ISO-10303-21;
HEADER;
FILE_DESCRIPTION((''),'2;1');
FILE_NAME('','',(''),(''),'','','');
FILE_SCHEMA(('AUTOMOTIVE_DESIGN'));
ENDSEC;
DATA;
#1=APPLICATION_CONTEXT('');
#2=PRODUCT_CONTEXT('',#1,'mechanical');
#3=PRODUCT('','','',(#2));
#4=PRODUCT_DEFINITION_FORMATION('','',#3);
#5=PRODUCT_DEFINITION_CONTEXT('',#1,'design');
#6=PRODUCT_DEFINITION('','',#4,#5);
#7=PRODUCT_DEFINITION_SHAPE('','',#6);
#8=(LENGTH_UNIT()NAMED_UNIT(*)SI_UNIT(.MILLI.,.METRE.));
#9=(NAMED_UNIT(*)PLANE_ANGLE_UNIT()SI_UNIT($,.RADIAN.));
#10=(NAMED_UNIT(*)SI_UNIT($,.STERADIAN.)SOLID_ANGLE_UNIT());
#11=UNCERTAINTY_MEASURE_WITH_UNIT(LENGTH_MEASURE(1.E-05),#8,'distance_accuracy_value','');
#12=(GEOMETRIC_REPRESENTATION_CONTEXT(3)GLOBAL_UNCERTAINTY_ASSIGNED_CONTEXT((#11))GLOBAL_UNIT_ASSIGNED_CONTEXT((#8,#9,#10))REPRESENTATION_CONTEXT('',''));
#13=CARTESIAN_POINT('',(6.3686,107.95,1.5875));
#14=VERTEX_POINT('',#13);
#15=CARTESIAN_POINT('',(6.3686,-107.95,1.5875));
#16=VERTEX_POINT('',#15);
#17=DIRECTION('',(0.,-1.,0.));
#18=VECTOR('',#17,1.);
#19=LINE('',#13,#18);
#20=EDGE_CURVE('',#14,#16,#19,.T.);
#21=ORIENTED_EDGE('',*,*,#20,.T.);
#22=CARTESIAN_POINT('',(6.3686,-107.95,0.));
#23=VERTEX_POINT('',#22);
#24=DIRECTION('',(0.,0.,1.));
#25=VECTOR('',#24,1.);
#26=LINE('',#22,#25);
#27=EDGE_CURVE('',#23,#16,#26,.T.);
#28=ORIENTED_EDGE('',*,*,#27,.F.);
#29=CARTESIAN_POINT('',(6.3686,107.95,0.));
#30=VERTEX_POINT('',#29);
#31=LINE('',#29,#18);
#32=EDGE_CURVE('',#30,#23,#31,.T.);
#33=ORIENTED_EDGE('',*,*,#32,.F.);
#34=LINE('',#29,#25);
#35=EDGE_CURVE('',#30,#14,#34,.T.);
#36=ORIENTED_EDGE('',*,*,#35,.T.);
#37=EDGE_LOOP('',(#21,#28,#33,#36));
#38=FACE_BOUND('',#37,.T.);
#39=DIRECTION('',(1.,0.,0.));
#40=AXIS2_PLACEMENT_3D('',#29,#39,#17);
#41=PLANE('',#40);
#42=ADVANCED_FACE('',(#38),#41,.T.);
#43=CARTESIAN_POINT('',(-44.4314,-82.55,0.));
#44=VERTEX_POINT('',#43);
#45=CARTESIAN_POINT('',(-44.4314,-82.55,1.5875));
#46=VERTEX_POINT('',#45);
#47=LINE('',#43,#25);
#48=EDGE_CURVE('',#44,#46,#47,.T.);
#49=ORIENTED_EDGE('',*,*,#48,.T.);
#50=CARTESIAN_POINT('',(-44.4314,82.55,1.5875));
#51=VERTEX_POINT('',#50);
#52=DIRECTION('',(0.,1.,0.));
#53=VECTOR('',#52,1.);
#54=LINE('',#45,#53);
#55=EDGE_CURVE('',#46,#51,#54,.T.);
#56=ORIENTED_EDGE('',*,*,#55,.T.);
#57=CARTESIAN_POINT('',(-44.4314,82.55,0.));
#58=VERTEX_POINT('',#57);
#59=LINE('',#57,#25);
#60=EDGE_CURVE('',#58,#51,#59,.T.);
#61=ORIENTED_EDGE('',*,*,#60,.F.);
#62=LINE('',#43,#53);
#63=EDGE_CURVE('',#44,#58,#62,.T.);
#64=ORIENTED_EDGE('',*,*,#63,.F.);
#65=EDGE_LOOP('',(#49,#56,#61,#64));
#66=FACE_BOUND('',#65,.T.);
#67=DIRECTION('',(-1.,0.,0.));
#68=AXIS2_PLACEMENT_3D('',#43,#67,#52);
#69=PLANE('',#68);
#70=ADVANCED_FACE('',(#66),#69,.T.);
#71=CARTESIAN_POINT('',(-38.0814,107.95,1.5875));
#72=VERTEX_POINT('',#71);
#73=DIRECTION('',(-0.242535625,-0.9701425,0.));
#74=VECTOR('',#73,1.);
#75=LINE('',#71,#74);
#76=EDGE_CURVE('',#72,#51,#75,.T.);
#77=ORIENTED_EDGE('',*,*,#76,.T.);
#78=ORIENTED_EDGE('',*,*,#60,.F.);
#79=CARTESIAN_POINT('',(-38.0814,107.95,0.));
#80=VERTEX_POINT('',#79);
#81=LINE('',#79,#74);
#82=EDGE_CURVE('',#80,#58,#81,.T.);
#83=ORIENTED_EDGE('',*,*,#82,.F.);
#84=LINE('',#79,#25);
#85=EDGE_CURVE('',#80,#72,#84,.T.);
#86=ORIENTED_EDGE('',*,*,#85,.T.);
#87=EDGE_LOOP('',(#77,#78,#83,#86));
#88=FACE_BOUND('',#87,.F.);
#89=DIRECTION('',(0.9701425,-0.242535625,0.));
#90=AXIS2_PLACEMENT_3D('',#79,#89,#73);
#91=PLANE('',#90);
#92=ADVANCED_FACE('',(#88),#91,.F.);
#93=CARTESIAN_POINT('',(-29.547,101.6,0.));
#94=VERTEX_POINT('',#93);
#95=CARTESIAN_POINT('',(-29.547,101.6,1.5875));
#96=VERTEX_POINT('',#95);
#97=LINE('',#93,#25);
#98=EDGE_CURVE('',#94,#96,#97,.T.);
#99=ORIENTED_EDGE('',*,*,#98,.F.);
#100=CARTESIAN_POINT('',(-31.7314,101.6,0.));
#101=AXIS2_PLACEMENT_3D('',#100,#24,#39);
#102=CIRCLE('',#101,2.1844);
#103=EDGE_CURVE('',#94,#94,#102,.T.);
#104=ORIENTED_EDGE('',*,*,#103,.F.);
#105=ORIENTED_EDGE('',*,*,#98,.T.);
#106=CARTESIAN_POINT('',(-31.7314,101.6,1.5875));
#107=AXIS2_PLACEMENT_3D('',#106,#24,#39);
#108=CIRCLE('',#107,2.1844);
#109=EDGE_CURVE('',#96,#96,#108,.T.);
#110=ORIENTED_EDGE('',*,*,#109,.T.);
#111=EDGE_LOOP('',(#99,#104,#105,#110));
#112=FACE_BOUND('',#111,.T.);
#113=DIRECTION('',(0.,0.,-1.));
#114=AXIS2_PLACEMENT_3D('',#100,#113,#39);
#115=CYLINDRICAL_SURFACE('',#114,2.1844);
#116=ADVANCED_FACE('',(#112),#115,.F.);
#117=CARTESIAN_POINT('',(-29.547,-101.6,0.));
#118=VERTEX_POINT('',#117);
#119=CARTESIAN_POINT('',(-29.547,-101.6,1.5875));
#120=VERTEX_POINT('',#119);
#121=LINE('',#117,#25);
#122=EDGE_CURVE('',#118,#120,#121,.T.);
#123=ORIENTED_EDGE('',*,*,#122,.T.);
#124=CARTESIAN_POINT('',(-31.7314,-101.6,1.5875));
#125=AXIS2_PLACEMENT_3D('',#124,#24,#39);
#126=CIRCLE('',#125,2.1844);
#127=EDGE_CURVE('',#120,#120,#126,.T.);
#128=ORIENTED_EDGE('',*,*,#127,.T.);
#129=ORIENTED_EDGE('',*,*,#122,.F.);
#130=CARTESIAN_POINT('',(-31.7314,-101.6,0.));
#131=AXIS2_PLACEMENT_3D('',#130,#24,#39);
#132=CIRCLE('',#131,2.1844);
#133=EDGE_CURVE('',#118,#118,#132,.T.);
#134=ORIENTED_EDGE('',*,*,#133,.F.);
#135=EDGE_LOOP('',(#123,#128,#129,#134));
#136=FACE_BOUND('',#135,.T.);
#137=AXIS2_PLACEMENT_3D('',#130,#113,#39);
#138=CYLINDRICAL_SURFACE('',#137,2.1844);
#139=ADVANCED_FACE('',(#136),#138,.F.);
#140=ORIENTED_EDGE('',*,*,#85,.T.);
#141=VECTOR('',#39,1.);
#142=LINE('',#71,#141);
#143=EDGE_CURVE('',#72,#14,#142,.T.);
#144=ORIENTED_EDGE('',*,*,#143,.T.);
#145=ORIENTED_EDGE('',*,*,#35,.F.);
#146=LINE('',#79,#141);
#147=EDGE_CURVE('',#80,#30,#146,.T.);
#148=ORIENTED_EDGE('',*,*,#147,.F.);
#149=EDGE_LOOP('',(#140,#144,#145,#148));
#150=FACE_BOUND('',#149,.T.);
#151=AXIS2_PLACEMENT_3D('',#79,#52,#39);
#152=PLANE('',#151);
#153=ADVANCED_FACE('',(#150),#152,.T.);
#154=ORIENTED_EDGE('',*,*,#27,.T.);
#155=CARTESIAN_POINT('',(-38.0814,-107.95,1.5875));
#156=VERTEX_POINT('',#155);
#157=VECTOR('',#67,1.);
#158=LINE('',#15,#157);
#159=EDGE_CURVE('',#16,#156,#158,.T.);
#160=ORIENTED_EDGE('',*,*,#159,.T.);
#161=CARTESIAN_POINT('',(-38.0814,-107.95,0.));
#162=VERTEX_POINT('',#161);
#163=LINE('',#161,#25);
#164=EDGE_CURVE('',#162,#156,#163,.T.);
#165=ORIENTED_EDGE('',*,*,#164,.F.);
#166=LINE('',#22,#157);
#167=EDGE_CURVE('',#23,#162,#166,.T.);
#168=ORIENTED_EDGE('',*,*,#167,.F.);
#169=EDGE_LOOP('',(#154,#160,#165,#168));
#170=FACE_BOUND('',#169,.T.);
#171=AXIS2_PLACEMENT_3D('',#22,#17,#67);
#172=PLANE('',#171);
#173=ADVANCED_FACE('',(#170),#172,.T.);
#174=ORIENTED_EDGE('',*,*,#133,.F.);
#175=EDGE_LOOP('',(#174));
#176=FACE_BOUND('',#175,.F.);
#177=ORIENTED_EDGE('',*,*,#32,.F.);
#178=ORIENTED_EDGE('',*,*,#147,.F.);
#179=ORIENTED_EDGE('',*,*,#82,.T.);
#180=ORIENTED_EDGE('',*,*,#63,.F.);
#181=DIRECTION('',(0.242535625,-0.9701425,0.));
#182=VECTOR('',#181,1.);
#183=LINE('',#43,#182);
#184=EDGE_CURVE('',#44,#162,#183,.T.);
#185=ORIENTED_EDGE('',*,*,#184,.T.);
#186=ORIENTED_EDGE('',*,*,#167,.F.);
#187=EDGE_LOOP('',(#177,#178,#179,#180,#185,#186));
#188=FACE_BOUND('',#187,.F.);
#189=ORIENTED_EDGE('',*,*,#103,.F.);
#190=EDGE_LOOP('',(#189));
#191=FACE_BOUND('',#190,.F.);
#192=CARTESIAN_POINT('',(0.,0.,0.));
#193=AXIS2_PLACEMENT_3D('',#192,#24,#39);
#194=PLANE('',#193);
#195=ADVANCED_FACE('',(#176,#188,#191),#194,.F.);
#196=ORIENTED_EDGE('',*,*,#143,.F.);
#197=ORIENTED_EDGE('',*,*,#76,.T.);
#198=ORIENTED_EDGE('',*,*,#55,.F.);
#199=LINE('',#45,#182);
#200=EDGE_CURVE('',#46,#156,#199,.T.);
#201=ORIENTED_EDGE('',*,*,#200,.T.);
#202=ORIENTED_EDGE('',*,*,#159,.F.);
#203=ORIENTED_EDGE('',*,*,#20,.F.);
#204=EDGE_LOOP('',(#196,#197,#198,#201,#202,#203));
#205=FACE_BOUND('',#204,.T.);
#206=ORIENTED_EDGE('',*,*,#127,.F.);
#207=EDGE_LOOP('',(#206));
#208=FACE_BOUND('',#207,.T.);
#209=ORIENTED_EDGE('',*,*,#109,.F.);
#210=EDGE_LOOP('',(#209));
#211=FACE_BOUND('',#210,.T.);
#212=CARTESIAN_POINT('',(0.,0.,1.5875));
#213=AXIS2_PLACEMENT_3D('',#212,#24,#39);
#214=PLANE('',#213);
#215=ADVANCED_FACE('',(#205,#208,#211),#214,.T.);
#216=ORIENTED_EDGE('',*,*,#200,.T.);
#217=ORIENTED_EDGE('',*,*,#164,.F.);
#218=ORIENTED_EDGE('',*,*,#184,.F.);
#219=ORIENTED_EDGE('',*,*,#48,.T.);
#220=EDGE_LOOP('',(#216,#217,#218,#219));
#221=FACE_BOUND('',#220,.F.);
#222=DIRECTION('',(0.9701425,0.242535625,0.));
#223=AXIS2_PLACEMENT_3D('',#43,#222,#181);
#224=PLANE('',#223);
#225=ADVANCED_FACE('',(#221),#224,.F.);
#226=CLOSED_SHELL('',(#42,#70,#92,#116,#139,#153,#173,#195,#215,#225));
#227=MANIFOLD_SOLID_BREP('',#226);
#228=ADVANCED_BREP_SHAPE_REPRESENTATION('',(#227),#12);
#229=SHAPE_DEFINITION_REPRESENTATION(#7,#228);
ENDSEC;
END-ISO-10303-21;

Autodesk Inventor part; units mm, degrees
ref_plane "YZ Plane" through (0, 0, 0) normal (1, 0, 0) x (0, 1, 0)
ref_plane "XZ Plane" through (0, 0, 0) normal (0, 1, 0) x (-1, 0, 0)
ref_plane "XY Plane" through (0, 0, 0) normal (0, 0, 1) x (1, 0, 0)
sketch "Sketch1" plane through (0, 0, 0) normal (0, 0, 1) x (1, 0, 0)
  line L0 (3.9874, -107.95) -> (-5.3154, -107.95) construction
  line L1 (6.3686, -83.7157) -> (6.3686, -107.95) construction
  line L2 (6.3686, -107.95) -> (-38.0814, -107.95)
  line L3 (-44.4314, -82.55) -> (-44.4314, 82.55)
  line L4 (-38.0814, 107.95) -> (6.3686, 107.95)
  line L5 (6.3686, 107.95) -> (6.3686, -107.95)
  line L6 (-44.4314, -107.95) -> (-38.0814, -107.95) construction
  line L7 (-44.4314, -107.95) -> (-44.4314, -82.55) construction
  line L8 (-44.4314, 107.95) -> (-38.0814, 107.95) construction
  line L9 (-44.4314, 107.95) -> (-44.4314, 82.55) construction
  line L10 (-38.0814, 107.95) -> (-44.4314, 82.55)
  line L11 (-44.4314, -82.55) -> (-38.0814, -107.95)
  line L12 (-44.4314, 107.95) -> (-44.4314, 101.6) construction
  line L13 (-44.4314, 107.95) -> (-31.7314, 107.95) construction
  line L14 (-44.4314, -107.95) -> (-31.7314, -107.95) construction
  line L15 (-44.4314, -107.95) -> (-44.4314, -101.6) construction
  circle A0 centre (-31.7314, -101.6) radius 2.1844
  circle A1 centre (-31.7314, 101.6) radius 2.1844
  point P0 (0, 0)
  dimension "d0" = 50.8
  dimension "d1" = 215.9
  dimension "d2" = 6.35
  dimension "d3" = 25.4
  dimension "d4" = 6.35
  dimension "d5" = 25.4
  dimension "d8" = 6.35
  dimension "d9" = 12.7
  dimension "d10" = 12.7
  dimension "d11" = 6.35
  dimension "d12" = 4.3688
  dimension "d13" = 4.3688
extrude "Extrusion1" add sketch "Sketch1" along normal blind 1.5875
properties part number "Angle changer polycarb"
